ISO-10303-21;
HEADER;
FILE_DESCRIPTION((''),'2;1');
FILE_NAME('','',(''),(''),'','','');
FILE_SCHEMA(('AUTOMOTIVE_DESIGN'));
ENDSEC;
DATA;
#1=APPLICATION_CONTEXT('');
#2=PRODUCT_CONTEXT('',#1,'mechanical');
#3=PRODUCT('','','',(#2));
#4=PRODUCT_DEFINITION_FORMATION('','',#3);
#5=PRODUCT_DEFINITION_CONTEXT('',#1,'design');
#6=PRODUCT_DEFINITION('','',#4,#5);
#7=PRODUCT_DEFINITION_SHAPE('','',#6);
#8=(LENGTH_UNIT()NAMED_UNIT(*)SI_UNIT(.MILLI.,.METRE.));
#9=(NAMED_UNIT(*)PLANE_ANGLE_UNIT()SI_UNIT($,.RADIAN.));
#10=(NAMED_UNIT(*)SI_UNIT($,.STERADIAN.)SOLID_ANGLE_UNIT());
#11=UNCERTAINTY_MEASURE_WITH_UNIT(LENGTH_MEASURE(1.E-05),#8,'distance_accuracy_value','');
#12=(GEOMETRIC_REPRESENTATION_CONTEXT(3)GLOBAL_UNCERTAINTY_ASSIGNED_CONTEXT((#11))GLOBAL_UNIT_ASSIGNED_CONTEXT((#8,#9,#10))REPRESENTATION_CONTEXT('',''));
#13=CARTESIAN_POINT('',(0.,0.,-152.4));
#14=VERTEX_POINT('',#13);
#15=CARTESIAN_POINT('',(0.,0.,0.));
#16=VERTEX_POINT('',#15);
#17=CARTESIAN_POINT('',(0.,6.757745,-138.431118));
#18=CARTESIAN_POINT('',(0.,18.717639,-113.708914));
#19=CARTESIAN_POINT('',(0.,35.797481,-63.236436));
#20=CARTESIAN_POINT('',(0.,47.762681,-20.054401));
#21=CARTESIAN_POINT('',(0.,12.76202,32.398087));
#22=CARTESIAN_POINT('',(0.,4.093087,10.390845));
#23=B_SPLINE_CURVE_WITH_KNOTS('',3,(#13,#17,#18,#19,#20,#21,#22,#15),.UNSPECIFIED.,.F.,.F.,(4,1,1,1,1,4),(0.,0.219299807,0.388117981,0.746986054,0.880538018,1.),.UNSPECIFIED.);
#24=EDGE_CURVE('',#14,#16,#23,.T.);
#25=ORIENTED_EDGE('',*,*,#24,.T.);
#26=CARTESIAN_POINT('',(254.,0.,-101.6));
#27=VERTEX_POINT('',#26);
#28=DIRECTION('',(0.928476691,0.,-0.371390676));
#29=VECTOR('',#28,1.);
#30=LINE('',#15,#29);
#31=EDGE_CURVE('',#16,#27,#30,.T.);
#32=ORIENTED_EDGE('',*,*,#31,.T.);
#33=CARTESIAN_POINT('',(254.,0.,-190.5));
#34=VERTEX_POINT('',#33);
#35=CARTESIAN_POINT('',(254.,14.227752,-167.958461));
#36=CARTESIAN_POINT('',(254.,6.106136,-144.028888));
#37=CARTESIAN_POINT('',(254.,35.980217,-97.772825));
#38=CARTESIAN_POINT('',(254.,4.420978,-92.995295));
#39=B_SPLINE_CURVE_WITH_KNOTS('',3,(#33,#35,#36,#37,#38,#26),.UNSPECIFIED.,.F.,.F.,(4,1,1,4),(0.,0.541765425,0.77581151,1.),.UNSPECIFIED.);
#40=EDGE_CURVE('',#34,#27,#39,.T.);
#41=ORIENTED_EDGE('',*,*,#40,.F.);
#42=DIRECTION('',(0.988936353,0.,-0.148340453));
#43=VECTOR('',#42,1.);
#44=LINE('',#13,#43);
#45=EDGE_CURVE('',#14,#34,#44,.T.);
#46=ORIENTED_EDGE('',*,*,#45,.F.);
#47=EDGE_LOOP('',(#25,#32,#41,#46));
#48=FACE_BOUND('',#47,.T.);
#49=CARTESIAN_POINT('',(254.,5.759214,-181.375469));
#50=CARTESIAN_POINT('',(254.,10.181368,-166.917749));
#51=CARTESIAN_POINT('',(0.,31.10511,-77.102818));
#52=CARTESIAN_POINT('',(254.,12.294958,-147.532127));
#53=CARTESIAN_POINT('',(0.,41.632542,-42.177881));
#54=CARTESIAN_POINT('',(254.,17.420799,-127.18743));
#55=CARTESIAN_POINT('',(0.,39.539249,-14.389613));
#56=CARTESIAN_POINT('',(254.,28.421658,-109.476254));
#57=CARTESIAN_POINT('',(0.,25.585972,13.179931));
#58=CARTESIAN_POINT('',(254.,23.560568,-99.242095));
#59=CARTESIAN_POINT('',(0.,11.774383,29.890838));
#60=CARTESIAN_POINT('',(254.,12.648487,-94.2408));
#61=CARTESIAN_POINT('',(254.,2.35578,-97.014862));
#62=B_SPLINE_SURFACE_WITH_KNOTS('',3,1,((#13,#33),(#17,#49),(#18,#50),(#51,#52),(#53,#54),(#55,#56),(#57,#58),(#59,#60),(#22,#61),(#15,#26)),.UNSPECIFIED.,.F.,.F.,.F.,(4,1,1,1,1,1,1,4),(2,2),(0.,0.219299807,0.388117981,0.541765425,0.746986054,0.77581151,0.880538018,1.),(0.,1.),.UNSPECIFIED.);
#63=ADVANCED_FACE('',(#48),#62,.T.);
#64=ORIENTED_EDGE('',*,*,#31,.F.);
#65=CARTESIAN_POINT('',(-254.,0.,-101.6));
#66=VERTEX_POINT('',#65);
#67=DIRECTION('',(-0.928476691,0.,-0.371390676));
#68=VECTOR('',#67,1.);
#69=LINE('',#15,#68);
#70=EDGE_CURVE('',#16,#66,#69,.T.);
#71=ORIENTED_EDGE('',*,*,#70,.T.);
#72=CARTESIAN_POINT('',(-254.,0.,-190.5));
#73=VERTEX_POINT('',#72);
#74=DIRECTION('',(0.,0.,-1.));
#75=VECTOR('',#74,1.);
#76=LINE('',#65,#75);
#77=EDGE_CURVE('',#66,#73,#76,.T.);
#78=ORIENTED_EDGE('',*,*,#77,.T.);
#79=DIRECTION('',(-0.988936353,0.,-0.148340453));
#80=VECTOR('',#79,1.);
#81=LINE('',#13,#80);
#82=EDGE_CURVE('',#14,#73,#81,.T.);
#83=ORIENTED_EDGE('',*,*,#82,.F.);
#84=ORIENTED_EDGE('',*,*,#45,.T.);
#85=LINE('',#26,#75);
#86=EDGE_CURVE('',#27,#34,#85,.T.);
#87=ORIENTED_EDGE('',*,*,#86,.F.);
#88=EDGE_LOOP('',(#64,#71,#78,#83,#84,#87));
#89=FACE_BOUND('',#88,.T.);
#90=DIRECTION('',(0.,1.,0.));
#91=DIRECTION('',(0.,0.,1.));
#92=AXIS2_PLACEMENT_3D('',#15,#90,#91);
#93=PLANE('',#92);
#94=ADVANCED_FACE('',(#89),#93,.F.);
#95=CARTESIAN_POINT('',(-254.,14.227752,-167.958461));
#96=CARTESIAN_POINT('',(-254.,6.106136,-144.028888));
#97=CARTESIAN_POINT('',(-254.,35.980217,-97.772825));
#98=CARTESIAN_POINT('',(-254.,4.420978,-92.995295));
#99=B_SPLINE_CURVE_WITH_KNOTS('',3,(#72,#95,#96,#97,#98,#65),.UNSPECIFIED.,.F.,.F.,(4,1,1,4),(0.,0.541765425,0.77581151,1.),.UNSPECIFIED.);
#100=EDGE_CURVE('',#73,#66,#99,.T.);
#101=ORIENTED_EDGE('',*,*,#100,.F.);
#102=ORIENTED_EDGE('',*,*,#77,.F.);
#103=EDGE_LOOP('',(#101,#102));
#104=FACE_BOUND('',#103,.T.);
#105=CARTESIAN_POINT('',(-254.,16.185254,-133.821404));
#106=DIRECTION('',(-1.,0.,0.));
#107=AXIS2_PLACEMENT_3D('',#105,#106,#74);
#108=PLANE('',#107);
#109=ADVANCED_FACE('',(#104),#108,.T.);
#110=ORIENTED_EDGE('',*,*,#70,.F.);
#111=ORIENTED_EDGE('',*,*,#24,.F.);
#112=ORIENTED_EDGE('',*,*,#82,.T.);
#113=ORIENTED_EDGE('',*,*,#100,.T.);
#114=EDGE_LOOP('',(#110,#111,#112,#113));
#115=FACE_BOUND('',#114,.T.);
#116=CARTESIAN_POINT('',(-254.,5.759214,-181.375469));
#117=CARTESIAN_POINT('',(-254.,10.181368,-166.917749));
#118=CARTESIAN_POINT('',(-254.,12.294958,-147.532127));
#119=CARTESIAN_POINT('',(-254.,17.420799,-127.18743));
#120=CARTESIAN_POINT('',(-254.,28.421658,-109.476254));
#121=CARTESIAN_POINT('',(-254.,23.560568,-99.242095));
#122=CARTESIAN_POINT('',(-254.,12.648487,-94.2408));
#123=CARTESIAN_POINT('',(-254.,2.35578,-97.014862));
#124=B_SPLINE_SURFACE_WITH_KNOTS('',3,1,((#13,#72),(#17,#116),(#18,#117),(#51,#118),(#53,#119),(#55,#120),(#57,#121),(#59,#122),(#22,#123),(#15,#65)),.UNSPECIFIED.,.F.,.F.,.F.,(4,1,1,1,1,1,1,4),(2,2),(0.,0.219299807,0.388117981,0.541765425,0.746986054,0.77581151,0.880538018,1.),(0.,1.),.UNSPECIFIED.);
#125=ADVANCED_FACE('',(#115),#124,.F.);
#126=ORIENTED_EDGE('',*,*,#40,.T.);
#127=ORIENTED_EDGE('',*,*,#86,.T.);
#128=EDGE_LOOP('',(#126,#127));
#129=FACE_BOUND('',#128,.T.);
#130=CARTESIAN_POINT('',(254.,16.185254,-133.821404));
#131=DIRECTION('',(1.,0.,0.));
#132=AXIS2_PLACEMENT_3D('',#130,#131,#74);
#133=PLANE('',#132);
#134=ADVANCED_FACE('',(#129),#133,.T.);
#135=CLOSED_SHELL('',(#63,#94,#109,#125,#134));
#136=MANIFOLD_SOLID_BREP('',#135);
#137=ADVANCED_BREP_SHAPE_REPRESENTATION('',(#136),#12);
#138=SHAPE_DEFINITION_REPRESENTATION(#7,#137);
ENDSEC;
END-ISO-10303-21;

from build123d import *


with BuildPart() as part:
    # Sketch1 → Loft2 section 0
    with BuildSketch(Plane(origin=(0, 0, 0), x_dir=(0, 0, -1), z_dir=(1, 0, 0))):
        with BuildLine():
            Line((0, 0), (152.4, 0))
            add(Edge.make_bspline(
                [(0, 0), (-10.390844997, 4.093086595), (-32.398086558, 12.762020204), (20.054401279, 47.762680754), (63.236436095, 35.797481264), (113.708914137, 18.717638513), (138.431117569, 6.757744993), (152.4, 0)],
                knots=[0, 0, 0, 0, 0.119461982, 0.253013946, 0.611882019, 0.780700193, 1, 1, 1, 1], degree=3))
        make_face()
    # Sketch2 → Loft2 section 1
    with BuildSketch(Plane(origin=(254, 0, 0), x_dir=(0, 0, -1), z_dir=(1, 0, 0))):
        with BuildLine():
            Line((101.6, 0), (190.5, 0))
            add(Edge.make_bspline(
                [(101.6, 0), (92.995295192, 4.420977928), (97.772825375, 35.980216939), (144.028888008, 6.10613582), (167.958460841, 14.2277517), (190.5, 0)],
                knots=[0, 0, 0, 0, 0.22418849, 0.458234575, 1, 1, 1, 1], degree=3))
        make_face()
    loft2 = loft()

    # Mirror18: Loft2 across plane
    add(loft2.mirror(Plane(origin=(0, 37.455821149, -53.746564686), x_dir=(0, 0, 1), z_dir=(1, 0, 0))))


solid = part.part
